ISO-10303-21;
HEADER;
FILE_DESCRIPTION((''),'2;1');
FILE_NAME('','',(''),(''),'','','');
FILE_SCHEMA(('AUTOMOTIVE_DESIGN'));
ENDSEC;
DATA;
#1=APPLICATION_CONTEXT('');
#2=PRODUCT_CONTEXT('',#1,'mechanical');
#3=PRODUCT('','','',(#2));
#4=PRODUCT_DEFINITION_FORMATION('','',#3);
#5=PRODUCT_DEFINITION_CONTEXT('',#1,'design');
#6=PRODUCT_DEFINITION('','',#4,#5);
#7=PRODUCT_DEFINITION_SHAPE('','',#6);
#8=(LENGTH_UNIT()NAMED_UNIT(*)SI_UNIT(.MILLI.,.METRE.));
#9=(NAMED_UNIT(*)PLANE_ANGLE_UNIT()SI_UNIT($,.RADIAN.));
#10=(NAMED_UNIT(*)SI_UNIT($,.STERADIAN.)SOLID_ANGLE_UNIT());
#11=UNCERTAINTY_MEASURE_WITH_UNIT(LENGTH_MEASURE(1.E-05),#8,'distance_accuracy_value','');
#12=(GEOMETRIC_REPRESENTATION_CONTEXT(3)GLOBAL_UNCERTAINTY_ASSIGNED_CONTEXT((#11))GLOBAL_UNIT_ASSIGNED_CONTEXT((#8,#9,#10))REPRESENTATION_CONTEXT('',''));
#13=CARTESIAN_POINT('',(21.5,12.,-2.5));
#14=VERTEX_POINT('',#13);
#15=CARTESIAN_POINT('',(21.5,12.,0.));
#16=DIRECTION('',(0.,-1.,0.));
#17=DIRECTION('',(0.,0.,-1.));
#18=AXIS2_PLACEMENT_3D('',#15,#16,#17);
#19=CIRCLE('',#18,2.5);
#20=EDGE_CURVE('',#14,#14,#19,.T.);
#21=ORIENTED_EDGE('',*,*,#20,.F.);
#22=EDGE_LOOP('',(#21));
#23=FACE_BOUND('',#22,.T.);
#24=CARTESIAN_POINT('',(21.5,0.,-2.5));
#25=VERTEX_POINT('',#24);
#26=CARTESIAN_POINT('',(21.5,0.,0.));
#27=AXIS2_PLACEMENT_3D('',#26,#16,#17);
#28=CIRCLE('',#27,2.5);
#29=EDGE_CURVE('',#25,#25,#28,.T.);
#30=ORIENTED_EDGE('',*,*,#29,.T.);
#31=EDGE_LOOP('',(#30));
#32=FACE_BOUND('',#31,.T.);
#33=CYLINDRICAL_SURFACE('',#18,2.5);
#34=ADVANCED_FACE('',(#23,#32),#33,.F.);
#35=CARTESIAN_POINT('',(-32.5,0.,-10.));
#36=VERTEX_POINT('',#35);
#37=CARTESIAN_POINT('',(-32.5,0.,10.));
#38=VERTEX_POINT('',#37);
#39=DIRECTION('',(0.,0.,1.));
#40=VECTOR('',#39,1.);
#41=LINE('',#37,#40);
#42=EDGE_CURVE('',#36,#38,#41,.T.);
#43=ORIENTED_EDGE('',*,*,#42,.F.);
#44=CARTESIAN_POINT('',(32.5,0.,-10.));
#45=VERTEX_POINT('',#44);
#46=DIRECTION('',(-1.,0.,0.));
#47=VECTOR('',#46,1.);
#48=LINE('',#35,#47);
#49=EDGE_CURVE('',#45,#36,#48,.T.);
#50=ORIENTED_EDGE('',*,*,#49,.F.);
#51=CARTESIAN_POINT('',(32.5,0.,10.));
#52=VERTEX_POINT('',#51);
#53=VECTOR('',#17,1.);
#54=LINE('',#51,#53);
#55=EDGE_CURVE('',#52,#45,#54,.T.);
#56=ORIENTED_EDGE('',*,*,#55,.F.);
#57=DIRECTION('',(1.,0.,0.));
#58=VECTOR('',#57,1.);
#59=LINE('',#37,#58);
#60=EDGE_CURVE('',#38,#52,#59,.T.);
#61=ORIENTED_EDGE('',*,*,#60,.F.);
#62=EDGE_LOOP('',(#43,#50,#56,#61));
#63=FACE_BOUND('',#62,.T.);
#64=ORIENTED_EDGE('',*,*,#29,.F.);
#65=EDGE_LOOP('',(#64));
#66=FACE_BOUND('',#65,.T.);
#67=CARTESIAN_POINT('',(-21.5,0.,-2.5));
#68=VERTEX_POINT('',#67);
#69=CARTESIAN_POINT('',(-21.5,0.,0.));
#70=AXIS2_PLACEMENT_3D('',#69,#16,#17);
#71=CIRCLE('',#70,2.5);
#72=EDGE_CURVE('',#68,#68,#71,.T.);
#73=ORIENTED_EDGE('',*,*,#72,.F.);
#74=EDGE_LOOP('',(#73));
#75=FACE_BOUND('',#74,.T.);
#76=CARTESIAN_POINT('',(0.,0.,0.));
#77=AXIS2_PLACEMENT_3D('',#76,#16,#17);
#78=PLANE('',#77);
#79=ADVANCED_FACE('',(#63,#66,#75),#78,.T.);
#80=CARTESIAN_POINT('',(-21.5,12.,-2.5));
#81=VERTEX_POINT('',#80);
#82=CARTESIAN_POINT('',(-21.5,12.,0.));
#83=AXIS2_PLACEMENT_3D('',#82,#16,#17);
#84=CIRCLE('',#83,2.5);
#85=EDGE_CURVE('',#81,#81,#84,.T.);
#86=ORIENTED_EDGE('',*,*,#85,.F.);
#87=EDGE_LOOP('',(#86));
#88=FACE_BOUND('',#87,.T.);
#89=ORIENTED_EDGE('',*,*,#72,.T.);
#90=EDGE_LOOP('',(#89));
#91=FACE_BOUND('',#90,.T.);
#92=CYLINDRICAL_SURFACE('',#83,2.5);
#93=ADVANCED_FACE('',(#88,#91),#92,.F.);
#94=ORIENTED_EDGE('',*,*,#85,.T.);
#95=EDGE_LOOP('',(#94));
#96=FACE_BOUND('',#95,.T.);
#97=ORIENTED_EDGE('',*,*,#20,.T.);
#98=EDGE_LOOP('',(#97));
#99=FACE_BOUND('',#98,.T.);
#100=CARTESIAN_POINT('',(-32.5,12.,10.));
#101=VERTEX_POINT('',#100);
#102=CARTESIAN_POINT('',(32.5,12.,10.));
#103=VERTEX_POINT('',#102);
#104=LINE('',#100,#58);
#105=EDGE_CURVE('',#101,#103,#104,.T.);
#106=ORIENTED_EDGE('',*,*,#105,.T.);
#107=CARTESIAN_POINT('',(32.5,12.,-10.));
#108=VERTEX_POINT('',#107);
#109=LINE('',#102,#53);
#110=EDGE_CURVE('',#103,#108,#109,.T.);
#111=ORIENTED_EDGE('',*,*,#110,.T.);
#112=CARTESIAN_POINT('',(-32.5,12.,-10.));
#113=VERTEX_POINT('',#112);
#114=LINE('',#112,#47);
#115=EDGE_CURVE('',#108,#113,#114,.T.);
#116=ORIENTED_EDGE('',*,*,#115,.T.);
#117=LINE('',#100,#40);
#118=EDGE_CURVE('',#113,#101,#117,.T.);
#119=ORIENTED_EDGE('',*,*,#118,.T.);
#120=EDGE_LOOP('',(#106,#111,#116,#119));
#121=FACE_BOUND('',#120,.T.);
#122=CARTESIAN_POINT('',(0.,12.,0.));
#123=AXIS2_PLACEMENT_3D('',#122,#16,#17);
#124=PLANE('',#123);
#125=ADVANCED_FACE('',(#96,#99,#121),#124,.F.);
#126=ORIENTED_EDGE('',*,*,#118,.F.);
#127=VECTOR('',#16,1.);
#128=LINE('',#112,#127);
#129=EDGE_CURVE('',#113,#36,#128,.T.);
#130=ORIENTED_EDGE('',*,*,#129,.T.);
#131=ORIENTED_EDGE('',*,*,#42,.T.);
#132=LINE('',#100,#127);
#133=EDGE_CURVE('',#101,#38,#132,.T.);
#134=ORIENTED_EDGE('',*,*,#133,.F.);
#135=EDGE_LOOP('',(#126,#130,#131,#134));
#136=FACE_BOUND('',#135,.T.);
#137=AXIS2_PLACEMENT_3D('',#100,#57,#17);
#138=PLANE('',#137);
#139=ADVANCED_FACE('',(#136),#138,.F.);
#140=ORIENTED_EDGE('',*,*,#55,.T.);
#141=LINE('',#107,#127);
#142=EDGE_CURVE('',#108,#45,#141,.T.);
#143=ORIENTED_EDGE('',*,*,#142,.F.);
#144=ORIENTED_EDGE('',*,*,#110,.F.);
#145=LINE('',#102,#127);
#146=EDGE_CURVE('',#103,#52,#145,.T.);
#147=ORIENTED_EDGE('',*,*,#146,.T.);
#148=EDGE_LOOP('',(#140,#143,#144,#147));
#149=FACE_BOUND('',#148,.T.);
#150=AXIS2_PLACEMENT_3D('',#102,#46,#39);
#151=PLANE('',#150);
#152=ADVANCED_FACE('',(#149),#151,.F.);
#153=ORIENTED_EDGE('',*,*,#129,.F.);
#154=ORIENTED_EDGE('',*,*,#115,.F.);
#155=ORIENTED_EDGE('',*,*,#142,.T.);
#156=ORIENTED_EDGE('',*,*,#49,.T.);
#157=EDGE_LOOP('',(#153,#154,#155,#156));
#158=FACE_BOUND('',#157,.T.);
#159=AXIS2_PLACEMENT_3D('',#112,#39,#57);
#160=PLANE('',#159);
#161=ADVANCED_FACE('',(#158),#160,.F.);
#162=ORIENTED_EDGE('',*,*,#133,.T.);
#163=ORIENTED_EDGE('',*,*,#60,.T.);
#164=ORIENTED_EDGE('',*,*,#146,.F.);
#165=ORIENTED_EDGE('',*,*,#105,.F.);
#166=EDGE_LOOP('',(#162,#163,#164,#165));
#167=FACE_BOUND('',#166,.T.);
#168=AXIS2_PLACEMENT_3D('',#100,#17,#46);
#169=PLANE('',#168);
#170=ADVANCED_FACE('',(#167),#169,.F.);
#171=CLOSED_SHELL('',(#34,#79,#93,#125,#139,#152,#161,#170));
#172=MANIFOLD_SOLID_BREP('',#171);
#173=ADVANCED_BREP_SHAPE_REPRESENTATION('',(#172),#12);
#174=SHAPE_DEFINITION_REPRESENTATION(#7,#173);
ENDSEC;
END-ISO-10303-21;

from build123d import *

# Parameters (mm, degrees)
SKETCH1_W               = 65
SKETCH1_H               = 20
BOSS_EXTRUDE1_DEPTH     = 12
CUT_EXTRUDE1_DEPTH      = 37.058979464
CUT_EXTRUDE1_DEPTH_BACK = 37.058979464
SKETCH3_R               = 2.5


with BuildPart() as part:
    # Sketch1 → Boss-Extrude1 (new body)
    with BuildSketch(Plane(origin=(0, 0, 0), x_dir=(1, 0, 0), z_dir=(0, 1, 0))):
        Rectangle(SKETCH1_W, SKETCH1_H)
    extrude(amount=BOSS_EXTRUDE1_DEPTH)

    # Sketch3 → Cut-Extrude1 (cut, two sides: drawn at the far end of the back side and taken through both)
    with BuildSketch(Plane(origin=(0, 0, 0), x_dir=(-1, 0, 0), z_dir=(0, -1, 0)).offset(-CUT_EXTRUDE1_DEPTH_BACK)):
        with Locations(Location((21.5, 0, 0), (0, 0, 90))):
            Circle(SKETCH3_R)
        with Locations(Location((-21.5, 0, 0), (0, 0, 90))):
            Circle(SKETCH3_R)
    extrude(amount=CUT_EXTRUDE1_DEPTH + CUT_EXTRUDE1_DEPTH_BACK, mode=Mode.SUBTRACT)


solid = part.part
